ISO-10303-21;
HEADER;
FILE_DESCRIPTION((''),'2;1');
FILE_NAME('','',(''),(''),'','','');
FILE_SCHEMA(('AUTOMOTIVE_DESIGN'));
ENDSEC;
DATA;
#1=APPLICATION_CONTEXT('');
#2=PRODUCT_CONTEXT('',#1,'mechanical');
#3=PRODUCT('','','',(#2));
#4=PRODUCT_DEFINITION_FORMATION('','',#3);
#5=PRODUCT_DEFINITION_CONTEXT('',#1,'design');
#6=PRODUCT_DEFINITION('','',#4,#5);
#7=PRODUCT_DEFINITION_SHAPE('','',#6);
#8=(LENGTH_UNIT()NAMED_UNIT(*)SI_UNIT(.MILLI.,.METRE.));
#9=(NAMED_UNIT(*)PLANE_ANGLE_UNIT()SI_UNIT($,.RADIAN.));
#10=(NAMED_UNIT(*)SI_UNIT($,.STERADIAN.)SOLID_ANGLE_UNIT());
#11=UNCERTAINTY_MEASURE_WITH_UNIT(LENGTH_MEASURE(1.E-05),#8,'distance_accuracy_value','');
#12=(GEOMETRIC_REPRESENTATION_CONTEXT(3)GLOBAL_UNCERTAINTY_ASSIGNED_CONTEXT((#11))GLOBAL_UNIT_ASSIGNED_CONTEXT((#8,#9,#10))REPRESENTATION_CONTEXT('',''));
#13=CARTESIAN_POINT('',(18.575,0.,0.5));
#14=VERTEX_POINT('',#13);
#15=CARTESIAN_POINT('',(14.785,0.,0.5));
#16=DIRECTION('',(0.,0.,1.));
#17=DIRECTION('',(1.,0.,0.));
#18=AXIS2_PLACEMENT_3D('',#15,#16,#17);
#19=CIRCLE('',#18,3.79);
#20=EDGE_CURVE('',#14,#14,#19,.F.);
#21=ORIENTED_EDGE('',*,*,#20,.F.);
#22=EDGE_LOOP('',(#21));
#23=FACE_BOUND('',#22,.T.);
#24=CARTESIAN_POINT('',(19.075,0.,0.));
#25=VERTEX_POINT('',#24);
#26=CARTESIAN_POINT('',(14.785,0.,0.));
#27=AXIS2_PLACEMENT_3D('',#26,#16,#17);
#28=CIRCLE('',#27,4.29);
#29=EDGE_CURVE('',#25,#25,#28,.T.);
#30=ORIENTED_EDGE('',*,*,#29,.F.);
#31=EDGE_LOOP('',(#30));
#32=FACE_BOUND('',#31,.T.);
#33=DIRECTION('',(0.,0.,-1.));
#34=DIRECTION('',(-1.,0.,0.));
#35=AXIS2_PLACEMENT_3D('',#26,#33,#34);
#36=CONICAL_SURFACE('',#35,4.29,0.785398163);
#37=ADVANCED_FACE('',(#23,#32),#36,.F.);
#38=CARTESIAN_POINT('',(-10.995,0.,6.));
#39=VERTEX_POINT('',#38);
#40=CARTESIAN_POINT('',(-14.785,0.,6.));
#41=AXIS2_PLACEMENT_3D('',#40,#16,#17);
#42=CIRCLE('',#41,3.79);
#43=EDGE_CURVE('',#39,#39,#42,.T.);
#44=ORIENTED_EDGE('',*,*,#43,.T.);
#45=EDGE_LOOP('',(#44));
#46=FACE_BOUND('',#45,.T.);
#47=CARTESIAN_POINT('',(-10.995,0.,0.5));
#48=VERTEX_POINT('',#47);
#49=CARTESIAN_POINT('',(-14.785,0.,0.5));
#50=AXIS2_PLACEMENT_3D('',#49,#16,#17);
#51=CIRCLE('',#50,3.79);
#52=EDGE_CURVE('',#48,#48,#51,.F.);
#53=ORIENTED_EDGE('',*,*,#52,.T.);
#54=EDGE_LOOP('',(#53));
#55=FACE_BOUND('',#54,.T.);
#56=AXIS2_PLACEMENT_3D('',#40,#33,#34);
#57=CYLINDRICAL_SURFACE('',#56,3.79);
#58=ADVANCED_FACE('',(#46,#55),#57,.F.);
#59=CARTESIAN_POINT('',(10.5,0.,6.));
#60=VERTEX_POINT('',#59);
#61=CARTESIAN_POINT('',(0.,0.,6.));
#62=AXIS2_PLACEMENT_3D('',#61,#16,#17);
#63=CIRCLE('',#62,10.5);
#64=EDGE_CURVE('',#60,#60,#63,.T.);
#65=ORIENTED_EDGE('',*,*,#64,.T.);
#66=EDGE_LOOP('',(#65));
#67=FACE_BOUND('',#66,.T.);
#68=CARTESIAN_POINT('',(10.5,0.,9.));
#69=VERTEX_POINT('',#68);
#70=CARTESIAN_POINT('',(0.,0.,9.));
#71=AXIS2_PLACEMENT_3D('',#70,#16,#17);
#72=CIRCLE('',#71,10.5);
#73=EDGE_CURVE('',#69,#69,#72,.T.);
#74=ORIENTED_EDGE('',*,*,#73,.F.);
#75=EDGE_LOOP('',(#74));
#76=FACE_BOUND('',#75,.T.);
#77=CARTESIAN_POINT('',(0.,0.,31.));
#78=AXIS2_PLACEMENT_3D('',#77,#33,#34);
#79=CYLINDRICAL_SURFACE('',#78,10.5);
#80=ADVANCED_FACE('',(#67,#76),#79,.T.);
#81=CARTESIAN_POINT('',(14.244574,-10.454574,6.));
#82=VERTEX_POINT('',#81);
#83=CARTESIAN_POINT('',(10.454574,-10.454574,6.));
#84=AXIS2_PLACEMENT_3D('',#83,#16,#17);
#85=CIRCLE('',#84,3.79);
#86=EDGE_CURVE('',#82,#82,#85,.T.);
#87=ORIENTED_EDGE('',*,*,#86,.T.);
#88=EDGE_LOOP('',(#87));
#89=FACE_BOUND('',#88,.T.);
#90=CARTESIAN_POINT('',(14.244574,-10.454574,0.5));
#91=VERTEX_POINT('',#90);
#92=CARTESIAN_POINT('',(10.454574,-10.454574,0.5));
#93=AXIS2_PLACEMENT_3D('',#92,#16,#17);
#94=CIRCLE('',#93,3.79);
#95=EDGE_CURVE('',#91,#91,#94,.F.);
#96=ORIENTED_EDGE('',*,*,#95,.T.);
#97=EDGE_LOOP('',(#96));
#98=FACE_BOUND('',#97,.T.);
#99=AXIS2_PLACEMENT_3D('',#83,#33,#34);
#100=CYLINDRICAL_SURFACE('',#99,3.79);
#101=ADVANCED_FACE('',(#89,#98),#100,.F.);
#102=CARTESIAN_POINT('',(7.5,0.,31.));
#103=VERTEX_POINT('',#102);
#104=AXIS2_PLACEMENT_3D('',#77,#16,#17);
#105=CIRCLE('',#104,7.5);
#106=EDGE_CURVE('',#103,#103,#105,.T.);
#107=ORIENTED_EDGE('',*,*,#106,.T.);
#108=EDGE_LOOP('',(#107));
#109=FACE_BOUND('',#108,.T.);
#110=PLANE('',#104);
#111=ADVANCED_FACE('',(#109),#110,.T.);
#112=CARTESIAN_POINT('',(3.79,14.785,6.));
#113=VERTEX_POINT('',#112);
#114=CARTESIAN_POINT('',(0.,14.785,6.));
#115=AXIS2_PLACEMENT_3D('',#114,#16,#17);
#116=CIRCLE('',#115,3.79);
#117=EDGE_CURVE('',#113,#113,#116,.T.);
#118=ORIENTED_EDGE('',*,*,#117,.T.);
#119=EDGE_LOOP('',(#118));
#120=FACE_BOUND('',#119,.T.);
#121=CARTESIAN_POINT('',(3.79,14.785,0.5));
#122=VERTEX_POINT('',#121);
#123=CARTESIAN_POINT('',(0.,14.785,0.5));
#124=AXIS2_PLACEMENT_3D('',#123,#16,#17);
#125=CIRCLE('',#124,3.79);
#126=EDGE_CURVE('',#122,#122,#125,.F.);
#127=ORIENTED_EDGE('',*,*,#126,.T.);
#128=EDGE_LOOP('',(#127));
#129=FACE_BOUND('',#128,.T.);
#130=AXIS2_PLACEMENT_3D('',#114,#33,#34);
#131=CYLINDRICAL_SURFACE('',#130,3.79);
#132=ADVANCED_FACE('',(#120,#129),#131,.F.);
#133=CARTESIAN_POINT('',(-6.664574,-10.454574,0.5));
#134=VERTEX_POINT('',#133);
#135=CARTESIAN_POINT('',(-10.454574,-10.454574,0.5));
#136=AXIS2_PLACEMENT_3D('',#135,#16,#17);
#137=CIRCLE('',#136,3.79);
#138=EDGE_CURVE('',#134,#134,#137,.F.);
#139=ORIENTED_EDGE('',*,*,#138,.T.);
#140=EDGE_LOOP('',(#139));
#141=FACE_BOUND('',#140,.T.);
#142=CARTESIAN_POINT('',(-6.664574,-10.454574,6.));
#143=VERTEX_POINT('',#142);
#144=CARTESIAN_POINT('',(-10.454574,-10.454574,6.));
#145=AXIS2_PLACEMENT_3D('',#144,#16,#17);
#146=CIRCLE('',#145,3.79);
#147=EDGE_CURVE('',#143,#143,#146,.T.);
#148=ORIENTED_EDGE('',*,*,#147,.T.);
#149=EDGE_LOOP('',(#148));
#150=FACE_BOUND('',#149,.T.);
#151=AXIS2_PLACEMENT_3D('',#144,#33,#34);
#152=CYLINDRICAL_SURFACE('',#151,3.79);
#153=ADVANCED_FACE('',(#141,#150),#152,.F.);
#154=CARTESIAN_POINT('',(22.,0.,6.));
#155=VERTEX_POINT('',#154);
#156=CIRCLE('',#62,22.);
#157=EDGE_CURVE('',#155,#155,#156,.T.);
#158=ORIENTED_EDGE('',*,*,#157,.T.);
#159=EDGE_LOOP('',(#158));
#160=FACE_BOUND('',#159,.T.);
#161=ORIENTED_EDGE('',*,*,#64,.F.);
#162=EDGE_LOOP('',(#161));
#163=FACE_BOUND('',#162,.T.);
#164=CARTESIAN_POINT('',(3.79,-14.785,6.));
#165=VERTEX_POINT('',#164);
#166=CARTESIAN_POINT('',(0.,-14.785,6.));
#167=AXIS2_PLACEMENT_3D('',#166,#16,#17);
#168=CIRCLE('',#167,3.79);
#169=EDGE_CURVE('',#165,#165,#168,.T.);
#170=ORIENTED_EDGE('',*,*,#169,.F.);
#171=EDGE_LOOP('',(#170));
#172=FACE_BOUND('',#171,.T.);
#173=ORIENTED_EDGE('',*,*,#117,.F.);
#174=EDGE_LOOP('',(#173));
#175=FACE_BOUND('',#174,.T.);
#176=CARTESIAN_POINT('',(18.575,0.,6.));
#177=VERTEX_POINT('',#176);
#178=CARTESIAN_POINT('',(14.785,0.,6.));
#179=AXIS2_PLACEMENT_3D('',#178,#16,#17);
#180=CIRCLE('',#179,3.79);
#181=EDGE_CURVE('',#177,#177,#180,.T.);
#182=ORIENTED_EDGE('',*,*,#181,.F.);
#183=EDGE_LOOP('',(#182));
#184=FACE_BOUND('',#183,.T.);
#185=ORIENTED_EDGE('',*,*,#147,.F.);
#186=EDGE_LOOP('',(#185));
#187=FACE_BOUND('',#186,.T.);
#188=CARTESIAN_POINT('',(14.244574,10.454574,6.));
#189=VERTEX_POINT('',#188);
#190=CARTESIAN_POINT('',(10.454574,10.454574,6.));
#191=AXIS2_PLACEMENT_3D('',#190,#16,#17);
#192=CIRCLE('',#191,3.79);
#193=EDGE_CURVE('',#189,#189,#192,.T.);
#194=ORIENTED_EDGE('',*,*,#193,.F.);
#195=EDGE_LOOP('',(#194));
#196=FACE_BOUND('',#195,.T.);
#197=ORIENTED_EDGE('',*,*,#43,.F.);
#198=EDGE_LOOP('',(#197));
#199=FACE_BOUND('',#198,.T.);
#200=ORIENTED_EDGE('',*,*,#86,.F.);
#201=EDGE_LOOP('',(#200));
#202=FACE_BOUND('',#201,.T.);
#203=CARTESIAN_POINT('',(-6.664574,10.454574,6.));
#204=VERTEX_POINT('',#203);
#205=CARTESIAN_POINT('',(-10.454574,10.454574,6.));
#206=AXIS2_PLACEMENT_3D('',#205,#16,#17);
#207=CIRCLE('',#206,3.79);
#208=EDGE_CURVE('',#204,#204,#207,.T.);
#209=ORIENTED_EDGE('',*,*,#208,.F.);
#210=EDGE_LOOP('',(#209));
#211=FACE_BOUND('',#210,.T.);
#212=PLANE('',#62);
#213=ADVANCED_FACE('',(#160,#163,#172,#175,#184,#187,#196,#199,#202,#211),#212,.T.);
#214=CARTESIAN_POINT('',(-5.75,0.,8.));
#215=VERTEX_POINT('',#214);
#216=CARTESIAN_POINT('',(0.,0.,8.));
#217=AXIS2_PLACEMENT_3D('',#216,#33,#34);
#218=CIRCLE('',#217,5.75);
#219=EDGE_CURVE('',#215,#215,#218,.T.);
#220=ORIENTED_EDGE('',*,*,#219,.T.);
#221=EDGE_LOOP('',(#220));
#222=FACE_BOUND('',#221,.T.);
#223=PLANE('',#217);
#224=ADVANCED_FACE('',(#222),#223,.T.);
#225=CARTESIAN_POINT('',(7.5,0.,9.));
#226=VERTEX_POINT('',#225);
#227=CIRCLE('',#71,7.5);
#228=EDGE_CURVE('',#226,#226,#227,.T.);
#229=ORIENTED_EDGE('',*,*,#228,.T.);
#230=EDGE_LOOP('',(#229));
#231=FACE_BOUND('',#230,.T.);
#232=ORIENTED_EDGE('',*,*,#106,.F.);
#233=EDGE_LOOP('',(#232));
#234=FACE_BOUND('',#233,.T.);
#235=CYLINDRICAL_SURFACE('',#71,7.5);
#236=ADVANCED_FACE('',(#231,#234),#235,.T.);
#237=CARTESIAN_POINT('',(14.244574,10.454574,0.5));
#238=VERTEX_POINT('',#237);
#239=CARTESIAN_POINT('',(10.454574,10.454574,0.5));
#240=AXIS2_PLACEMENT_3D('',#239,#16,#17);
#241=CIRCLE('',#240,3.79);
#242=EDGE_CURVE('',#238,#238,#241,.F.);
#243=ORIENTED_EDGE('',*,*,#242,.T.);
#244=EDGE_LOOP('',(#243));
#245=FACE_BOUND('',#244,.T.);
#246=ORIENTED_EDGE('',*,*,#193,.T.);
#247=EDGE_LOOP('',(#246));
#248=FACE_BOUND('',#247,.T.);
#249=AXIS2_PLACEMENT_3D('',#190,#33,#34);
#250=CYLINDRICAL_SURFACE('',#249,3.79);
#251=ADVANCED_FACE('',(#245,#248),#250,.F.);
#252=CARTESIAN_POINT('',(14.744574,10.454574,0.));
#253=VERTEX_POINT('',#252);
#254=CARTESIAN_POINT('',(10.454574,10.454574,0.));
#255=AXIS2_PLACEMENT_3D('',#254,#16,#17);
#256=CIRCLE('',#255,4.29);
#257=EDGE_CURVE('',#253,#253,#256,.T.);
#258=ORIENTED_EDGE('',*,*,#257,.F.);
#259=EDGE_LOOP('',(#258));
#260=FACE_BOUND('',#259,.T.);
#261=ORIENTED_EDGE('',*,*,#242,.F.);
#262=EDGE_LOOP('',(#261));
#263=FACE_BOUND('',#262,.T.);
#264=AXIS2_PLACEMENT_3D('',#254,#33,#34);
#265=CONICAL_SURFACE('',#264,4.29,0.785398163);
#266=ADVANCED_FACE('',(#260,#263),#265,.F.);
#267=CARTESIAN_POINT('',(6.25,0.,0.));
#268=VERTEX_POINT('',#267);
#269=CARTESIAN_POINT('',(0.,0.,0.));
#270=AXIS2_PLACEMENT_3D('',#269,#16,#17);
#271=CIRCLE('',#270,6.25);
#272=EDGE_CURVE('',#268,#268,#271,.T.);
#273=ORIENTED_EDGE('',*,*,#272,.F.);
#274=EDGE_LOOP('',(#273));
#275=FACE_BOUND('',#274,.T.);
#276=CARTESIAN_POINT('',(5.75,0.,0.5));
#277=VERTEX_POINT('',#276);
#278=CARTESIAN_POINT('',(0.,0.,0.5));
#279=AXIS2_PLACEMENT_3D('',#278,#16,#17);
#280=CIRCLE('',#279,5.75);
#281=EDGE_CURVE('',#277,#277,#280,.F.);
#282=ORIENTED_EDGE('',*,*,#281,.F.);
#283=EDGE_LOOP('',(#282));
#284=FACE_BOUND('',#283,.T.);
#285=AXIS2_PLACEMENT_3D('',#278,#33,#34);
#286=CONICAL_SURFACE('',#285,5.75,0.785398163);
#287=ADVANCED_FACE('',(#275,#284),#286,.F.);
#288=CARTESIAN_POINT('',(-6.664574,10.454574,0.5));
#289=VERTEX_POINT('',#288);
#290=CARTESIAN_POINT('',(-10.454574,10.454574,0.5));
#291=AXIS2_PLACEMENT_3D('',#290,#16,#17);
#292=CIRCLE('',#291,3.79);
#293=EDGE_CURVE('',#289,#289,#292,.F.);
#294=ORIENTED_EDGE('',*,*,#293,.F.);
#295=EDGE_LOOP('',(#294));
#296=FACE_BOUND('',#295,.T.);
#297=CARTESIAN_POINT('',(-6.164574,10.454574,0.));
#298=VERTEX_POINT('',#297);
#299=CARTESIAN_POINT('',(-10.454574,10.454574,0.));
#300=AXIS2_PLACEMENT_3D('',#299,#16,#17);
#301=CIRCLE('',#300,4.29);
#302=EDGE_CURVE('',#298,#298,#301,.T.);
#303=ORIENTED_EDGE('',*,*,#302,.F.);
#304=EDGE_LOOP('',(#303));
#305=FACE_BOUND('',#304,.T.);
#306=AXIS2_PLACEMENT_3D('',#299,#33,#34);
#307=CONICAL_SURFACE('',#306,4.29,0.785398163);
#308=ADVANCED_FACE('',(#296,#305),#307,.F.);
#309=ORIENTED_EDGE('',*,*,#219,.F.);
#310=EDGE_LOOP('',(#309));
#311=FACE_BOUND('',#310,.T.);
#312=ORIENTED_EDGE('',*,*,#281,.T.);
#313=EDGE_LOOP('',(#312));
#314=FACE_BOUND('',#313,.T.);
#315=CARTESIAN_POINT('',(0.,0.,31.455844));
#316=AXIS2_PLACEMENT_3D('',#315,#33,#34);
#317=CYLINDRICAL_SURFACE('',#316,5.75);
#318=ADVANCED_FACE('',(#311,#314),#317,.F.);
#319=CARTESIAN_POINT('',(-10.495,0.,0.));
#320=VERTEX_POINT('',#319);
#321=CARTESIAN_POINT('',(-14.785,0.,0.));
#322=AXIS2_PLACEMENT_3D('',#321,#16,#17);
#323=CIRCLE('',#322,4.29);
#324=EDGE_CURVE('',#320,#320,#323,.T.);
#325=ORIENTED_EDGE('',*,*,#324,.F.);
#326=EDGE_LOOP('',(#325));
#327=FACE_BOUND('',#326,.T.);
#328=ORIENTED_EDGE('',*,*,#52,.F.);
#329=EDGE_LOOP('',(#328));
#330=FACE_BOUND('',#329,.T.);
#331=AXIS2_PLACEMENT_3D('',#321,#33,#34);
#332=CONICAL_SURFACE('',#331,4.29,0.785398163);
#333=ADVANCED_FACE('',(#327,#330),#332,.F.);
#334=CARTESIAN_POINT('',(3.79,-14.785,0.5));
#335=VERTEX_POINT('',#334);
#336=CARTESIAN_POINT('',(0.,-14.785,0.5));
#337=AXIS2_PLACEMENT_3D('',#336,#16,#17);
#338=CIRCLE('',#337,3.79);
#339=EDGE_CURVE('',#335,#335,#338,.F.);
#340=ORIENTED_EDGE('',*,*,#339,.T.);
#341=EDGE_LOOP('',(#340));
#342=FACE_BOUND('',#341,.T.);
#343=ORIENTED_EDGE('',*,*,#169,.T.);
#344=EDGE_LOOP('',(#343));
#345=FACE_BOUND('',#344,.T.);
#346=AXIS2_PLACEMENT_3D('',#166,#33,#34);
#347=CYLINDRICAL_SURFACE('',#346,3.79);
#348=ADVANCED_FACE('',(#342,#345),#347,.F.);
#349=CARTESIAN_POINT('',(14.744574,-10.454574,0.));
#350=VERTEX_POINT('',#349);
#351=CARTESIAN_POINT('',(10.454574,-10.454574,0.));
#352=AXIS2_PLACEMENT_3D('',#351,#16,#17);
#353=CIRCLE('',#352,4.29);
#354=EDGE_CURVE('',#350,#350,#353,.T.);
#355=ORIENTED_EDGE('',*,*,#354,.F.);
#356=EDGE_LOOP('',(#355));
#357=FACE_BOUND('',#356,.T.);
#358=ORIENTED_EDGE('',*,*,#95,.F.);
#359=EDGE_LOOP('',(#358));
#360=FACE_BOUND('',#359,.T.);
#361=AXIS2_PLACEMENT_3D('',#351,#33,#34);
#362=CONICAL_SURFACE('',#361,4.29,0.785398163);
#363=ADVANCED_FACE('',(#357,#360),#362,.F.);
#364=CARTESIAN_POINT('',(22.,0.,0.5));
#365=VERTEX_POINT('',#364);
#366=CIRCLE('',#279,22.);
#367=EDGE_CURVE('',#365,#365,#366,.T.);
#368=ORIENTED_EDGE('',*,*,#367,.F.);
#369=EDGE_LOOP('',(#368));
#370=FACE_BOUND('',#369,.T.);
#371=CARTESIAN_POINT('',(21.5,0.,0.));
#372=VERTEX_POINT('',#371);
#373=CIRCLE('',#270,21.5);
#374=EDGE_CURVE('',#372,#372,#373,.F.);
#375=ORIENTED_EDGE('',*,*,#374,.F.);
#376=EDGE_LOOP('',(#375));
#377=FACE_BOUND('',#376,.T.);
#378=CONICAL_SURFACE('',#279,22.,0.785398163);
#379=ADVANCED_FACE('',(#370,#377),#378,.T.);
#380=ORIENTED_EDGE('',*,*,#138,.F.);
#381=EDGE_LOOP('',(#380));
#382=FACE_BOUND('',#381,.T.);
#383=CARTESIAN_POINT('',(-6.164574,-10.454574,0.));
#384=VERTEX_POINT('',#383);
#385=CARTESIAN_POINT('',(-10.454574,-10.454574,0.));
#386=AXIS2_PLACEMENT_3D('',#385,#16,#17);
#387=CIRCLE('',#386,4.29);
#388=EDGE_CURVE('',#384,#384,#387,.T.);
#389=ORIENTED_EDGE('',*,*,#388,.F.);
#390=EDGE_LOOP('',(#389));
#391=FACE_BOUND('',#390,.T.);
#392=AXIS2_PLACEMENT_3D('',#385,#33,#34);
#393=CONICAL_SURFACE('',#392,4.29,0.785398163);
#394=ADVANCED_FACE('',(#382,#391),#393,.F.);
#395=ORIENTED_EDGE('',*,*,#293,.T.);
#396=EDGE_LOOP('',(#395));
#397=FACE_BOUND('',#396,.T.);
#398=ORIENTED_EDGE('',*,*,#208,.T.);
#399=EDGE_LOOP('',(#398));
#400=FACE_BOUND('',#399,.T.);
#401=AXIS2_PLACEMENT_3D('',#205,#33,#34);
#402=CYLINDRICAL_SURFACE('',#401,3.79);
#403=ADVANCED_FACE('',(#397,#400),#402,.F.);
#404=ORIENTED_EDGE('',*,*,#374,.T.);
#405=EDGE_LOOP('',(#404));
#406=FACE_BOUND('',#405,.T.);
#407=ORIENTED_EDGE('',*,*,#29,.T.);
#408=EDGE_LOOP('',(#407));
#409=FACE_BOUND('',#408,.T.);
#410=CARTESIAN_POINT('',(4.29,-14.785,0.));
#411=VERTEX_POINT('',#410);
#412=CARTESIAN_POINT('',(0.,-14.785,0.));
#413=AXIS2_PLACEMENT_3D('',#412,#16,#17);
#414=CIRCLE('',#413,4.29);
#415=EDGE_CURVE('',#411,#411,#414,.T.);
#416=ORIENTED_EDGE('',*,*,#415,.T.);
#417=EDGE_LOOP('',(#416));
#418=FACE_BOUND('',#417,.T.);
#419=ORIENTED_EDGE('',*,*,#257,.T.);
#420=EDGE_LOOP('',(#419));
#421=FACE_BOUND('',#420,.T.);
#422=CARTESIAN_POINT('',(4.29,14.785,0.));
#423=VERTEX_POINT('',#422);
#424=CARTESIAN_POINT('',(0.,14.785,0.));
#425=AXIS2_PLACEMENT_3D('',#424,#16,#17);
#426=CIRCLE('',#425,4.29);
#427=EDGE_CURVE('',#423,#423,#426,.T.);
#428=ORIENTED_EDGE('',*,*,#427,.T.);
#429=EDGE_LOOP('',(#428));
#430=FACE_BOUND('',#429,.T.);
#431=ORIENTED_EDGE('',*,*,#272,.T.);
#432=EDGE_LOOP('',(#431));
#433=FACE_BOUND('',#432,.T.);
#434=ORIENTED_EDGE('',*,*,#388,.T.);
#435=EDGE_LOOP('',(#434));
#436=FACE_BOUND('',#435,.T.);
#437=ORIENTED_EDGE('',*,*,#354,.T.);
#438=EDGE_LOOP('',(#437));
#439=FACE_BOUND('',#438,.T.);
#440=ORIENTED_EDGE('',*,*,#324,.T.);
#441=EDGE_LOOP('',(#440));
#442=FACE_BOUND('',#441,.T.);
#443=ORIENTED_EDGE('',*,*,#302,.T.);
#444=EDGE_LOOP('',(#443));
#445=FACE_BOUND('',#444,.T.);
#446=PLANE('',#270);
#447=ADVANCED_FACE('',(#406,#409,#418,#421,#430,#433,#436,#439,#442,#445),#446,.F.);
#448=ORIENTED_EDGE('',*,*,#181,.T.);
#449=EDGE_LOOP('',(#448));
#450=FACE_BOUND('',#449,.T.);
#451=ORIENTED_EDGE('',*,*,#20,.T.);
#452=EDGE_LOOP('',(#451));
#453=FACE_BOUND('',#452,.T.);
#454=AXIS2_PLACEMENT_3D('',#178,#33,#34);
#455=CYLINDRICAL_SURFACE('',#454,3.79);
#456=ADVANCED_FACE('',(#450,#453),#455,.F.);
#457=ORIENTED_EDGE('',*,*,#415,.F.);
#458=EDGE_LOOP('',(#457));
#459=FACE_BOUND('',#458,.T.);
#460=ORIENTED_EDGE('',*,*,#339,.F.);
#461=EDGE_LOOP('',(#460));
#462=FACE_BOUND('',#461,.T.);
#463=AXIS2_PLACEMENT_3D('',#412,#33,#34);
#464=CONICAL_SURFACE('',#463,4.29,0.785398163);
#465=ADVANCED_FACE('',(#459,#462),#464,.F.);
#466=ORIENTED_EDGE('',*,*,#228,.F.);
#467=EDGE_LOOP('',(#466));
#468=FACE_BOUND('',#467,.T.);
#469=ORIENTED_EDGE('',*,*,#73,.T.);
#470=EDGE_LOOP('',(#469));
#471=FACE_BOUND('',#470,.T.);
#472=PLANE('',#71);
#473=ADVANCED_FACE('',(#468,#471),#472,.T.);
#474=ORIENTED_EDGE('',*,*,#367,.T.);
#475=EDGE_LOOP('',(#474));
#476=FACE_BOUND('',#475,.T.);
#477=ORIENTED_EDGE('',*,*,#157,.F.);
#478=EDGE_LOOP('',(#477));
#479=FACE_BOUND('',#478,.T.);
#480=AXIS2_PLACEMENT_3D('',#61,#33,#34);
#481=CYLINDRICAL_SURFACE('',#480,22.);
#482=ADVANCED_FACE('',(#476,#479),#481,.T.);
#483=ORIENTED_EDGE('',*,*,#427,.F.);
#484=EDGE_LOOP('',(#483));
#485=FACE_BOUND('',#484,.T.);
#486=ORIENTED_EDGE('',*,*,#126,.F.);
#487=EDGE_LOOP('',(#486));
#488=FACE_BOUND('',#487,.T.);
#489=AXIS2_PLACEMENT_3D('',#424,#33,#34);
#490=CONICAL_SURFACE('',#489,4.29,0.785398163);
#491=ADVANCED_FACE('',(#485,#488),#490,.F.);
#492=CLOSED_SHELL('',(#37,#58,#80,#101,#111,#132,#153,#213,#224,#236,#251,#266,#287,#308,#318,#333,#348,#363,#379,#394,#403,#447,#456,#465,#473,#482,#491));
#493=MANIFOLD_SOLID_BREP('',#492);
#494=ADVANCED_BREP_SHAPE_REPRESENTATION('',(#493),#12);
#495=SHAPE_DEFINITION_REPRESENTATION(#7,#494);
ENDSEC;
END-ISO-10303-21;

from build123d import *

# Parameters (mm, degrees)
SKETCH1_R           = 22
SKETCH1_R_2         = 3.79
SKETCH1_R_3         = 9
BOSS_EXTRUDE1_DEPTH = 6
SKETCH2_R           = 10.5
BOSS_EXTRUDE2_DEPTH = 25
SKETCH3_R           = 9
SKETCH3_R_2         = 5.75
BOSS_EXTRUDE3_DEPTH = 6
CHAMFER1_SIZE       = 0.5
CUT_EXTRUDE2_START  = -22
SKETCH4_R           = 10.5
SKETCH4_R_2         = 7.5
CUT_EXTRUDE2_DEPTH  = 22
SKETCH5_R           = 5.75
CUT_EXTRUDE3_DEPTH  = 8


with BuildPart() as part:
    # Sketch1 → Boss-Extrude1 (new body)
    with BuildSketch(Plane.XY):
        Circle(SKETCH1_R)
        with Locations((0, 14.785)):
            Circle(SKETCH1_R_2, mode=Mode.SUBTRACT)
        with Locations((10.45457376, 10.45457376)):
            Circle(SKETCH1_R_2, mode=Mode.SUBTRACT)
        with Locations((14.785, 0)):
            Circle(SKETCH1_R_2, mode=Mode.SUBTRACT)
        with Locations((10.45457376, -10.45457376)):
            Circle(SKETCH1_R_2, mode=Mode.SUBTRACT)
        with Locations((0, -14.785)):
            Circle(SKETCH1_R_2, mode=Mode.SUBTRACT)
        with Locations((-10.45457376, -10.45457376)):
            Circle(SKETCH1_R_2, mode=Mode.SUBTRACT)
        with Locations((-14.785, 0)):
            Circle(SKETCH1_R_2, mode=Mode.SUBTRACT)
        with Locations((-10.45457376, 10.45457376)):
            Circle(SKETCH1_R_2, mode=Mode.SUBTRACT)
        Circle(SKETCH1_R_3, mode=Mode.SUBTRACT)
    extrude(amount=BOSS_EXTRUDE1_DEPTH)

    # Sketch2 → Boss-Extrude2 (add)
    with BuildSketch(Plane.XY.offset(6)):
        Circle(SKETCH2_R)
    extrude(amount=BOSS_EXTRUDE2_DEPTH)

    # Sketch3 → Boss-Extrude3 (add)
    with BuildSketch(Plane(origin=(0, 0, 0), x_dir=(-1, 0, 0), z_dir=(0, 0, -1))):
        Circle(SKETCH3_R)
        Circle(SKETCH3_R_2, mode=Mode.SUBTRACT)
    extrude(amount=-BOSS_EXTRUDE3_DEPTH)

    # Chamfer1
    chamfer1_edges = [part.edges().sort_by_distance(p)[0] for p in [
        (6.66457376, 10.45457376, 0),
        (10.995, 0, 0),
        (-22, 0, 0),
        (6.66457376, -10.45457376, 0),
        (-3.79, -14.785, 0),
        (-14.24457376, -10.45457376, 0),
        (-18.575, 0, 0),
        (-14.24457376, 10.45457376, 0),
        (5.75, 0, 0),
        (-3.79, 14.785, 0),
    ]]
    chamfer(chamfer1_edges, length=CHAMFER1_SIZE)

    # Sketch4 → Cut-Extrude2 (cut)
    with BuildSketch(Plane.XY.offset(31).offset(CUT_EXTRUDE2_START)):
        Circle(SKETCH4_R)
        Circle(SKETCH4_R_2, mode=Mode.SUBTRACT)
    extrude(amount=CUT_EXTRUDE2_DEPTH, mode=Mode.SUBTRACT)

    # Sketch5 → Cut-Extrude3 (cut)
    with BuildSketch(Plane(origin=(0, 0, 0), x_dir=(-1, 0, 0), z_dir=(0, 0, -1))):
        Circle(SKETCH5_R)
    extrude(amount=-CUT_EXTRUDE3_DEPTH, mode=Mode.SUBTRACT)


solid = part.part
